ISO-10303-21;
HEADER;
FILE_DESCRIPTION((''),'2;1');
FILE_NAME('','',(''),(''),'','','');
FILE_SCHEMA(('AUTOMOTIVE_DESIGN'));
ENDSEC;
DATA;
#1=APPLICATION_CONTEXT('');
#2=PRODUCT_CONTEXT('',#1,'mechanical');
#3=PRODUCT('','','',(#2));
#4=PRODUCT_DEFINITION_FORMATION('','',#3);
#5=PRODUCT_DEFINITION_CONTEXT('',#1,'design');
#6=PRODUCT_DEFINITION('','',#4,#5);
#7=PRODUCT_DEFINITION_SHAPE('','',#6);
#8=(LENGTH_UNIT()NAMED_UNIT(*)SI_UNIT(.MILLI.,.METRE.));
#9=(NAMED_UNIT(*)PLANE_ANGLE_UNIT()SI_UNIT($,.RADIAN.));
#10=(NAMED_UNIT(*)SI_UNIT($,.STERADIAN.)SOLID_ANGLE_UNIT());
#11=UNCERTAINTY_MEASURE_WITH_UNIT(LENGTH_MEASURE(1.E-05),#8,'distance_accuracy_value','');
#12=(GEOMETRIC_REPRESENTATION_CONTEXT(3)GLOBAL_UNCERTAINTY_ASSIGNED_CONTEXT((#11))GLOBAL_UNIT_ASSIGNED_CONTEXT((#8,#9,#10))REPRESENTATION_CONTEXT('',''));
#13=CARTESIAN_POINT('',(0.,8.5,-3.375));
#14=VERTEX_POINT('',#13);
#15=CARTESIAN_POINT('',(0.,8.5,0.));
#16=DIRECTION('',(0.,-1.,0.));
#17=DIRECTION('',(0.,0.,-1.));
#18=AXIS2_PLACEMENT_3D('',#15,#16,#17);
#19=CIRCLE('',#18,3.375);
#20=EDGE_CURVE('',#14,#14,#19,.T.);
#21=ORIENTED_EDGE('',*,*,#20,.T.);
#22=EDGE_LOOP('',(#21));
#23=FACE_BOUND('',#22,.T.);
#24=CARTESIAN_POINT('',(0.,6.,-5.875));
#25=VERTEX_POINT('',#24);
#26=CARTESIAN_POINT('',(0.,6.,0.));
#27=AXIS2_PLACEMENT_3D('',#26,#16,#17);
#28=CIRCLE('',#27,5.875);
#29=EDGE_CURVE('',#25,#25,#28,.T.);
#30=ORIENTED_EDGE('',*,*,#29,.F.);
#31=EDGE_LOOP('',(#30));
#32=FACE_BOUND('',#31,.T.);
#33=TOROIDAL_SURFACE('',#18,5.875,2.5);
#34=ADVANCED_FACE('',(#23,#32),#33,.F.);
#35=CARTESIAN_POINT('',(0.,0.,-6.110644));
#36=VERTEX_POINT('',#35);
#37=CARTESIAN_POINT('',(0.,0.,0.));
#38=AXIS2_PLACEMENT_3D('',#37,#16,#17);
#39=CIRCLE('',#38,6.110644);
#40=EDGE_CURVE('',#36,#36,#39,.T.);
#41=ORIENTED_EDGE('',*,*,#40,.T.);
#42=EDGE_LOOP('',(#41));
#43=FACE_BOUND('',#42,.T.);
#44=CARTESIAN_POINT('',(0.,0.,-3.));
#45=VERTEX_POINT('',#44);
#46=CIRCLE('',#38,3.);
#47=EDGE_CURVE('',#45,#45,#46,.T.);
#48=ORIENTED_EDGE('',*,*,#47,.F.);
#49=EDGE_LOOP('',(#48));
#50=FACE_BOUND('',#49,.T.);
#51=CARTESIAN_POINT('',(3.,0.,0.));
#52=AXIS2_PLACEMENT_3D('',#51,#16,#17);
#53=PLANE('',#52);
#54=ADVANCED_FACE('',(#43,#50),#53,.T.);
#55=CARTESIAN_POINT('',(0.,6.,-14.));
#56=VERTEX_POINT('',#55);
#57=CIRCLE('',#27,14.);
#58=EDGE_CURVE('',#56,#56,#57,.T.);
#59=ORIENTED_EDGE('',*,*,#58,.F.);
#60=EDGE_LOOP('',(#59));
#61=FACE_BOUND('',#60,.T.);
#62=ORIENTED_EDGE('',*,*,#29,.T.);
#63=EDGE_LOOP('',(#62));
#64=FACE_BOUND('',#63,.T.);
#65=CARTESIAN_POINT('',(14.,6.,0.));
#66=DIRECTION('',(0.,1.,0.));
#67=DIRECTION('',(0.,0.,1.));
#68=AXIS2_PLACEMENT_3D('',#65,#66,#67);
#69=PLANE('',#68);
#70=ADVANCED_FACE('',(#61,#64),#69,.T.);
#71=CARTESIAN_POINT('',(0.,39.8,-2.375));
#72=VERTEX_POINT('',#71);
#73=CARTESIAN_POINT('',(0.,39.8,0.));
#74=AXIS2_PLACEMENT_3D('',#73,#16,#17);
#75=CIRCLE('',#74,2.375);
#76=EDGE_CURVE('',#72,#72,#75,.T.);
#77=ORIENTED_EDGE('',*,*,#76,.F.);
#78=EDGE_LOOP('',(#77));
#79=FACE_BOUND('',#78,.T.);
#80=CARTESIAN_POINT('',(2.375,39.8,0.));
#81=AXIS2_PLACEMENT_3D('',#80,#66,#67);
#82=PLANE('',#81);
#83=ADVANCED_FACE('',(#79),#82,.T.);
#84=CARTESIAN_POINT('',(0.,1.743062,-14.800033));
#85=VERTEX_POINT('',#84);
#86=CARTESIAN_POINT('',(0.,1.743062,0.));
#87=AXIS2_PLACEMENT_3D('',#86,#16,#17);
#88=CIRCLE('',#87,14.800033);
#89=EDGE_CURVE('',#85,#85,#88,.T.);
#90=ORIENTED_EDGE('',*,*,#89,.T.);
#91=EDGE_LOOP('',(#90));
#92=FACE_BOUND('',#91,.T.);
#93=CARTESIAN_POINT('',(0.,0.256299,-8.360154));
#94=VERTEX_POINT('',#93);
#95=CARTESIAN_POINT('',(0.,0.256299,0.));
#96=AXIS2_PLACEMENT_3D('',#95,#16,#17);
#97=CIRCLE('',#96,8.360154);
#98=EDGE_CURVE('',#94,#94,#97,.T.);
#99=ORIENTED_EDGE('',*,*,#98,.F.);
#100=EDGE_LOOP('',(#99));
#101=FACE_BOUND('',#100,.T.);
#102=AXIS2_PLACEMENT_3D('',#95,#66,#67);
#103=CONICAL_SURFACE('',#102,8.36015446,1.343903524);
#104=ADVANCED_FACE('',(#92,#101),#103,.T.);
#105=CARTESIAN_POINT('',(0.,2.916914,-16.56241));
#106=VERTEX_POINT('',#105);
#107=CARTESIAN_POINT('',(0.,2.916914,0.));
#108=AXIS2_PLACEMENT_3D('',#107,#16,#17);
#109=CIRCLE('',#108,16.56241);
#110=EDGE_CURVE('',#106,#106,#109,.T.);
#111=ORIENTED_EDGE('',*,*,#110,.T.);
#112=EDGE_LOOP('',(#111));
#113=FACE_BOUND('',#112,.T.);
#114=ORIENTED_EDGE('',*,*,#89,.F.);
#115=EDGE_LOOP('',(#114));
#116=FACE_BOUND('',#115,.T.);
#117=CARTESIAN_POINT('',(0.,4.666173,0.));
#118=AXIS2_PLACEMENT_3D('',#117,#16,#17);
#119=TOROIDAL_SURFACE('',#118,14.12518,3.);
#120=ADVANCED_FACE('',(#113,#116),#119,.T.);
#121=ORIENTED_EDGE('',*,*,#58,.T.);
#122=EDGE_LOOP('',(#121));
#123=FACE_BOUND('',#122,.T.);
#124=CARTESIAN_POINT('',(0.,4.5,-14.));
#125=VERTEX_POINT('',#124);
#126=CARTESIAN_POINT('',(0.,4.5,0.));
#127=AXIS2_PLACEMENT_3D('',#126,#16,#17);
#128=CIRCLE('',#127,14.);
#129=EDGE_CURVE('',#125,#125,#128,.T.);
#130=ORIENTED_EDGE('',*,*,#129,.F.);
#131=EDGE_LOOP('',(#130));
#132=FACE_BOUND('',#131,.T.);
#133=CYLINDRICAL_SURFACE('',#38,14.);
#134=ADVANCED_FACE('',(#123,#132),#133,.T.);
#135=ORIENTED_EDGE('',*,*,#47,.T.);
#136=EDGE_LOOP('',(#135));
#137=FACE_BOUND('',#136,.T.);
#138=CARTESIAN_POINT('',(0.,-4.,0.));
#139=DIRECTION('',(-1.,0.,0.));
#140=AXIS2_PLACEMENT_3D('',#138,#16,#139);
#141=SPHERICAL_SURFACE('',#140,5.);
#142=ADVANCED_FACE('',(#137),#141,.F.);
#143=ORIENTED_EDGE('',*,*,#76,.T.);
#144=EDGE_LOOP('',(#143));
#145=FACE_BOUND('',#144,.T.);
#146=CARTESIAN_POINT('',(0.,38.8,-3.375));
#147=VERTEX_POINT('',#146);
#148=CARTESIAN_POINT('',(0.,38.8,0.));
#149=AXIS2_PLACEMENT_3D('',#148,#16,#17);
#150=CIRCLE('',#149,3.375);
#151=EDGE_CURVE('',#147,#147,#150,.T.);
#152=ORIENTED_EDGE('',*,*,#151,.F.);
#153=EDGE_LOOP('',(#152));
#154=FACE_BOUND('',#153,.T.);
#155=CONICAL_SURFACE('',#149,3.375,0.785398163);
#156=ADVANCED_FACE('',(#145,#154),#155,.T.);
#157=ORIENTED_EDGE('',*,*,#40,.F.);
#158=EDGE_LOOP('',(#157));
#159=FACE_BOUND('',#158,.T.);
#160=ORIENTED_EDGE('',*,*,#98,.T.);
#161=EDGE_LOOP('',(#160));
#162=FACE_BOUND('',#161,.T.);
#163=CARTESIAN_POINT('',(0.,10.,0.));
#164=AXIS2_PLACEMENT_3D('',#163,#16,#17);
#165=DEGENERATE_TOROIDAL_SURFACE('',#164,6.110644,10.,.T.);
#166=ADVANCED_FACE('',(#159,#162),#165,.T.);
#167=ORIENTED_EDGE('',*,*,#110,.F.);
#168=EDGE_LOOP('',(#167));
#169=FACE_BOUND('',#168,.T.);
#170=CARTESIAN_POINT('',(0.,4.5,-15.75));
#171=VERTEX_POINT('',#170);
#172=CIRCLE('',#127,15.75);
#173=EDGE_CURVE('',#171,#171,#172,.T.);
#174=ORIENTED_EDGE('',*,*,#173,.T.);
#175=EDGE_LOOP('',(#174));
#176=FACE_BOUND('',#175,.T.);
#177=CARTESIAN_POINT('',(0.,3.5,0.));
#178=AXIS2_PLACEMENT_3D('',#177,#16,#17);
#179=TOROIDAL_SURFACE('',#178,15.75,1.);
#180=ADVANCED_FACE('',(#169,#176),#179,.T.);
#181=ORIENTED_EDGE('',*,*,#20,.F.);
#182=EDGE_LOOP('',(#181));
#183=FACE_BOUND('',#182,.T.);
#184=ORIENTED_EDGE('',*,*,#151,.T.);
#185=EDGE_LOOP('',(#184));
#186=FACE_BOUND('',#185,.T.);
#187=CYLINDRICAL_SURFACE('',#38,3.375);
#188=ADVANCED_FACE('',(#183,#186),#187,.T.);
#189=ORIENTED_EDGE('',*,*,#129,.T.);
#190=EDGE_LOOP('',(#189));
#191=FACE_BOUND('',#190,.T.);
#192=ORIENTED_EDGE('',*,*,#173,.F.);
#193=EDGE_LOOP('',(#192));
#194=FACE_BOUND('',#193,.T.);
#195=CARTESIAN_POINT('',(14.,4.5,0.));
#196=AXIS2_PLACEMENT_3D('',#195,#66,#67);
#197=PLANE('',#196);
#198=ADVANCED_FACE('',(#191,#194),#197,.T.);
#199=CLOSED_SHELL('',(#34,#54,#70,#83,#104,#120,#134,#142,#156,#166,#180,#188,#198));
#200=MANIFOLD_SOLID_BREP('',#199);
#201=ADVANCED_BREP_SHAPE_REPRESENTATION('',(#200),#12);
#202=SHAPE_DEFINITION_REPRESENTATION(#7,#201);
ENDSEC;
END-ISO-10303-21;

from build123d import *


with BuildPart() as part:
    # Sketch1 → Revolve1 (revolve)
    with BuildSketch(Plane.XY, mode=Mode.PRIVATE) as revolve1_sk:
        with BuildLine():
            Line((3, 0), (6.110643917, 0))
            ThreePointArc((6.110643917, 0), (7.242676055, 0.064281443), (8.36015446, 0.256299352))
            Line((8.36015446, 0.256299352), (14.800032714, 1.743062396))
            ThreePointArc((14.800032714, 1.743062396), (15.788233421, 2.169324212), (16.562410224, 2.916913705))
            ThreePointArc((16.562410224, 2.916913705), (16.639687107, 3.956570753), (15.75, 4.5))
            Line((15.75, 4.5), (14, 4.5))
            Line((14, 4.5), (14, 6))
            Line((14, 6), (5.875, 6))
            ThreePointArc((5.875, 6), (4.107233047, 6.732233047), (3.375, 8.5))
            Line((3.375, 8.5), (3.375, 38.8))
            Line((3.375, 38.8), (2.375, 39.8))
            Line((2.375, 39.8), (0, 39.8))
            Line((0, 39.8), (0, 1))
            ThreePointArc((0, 1), (1.58113883, 0.74341649), (3, 0))
        make_face()
    revolve(revolve1_sk.sketch.rotate(Axis((0, 0, 0), (0, 1, 0)), 90), axis=Axis((0, 0, 0), (0, 1, 0)))


solid = part.part
